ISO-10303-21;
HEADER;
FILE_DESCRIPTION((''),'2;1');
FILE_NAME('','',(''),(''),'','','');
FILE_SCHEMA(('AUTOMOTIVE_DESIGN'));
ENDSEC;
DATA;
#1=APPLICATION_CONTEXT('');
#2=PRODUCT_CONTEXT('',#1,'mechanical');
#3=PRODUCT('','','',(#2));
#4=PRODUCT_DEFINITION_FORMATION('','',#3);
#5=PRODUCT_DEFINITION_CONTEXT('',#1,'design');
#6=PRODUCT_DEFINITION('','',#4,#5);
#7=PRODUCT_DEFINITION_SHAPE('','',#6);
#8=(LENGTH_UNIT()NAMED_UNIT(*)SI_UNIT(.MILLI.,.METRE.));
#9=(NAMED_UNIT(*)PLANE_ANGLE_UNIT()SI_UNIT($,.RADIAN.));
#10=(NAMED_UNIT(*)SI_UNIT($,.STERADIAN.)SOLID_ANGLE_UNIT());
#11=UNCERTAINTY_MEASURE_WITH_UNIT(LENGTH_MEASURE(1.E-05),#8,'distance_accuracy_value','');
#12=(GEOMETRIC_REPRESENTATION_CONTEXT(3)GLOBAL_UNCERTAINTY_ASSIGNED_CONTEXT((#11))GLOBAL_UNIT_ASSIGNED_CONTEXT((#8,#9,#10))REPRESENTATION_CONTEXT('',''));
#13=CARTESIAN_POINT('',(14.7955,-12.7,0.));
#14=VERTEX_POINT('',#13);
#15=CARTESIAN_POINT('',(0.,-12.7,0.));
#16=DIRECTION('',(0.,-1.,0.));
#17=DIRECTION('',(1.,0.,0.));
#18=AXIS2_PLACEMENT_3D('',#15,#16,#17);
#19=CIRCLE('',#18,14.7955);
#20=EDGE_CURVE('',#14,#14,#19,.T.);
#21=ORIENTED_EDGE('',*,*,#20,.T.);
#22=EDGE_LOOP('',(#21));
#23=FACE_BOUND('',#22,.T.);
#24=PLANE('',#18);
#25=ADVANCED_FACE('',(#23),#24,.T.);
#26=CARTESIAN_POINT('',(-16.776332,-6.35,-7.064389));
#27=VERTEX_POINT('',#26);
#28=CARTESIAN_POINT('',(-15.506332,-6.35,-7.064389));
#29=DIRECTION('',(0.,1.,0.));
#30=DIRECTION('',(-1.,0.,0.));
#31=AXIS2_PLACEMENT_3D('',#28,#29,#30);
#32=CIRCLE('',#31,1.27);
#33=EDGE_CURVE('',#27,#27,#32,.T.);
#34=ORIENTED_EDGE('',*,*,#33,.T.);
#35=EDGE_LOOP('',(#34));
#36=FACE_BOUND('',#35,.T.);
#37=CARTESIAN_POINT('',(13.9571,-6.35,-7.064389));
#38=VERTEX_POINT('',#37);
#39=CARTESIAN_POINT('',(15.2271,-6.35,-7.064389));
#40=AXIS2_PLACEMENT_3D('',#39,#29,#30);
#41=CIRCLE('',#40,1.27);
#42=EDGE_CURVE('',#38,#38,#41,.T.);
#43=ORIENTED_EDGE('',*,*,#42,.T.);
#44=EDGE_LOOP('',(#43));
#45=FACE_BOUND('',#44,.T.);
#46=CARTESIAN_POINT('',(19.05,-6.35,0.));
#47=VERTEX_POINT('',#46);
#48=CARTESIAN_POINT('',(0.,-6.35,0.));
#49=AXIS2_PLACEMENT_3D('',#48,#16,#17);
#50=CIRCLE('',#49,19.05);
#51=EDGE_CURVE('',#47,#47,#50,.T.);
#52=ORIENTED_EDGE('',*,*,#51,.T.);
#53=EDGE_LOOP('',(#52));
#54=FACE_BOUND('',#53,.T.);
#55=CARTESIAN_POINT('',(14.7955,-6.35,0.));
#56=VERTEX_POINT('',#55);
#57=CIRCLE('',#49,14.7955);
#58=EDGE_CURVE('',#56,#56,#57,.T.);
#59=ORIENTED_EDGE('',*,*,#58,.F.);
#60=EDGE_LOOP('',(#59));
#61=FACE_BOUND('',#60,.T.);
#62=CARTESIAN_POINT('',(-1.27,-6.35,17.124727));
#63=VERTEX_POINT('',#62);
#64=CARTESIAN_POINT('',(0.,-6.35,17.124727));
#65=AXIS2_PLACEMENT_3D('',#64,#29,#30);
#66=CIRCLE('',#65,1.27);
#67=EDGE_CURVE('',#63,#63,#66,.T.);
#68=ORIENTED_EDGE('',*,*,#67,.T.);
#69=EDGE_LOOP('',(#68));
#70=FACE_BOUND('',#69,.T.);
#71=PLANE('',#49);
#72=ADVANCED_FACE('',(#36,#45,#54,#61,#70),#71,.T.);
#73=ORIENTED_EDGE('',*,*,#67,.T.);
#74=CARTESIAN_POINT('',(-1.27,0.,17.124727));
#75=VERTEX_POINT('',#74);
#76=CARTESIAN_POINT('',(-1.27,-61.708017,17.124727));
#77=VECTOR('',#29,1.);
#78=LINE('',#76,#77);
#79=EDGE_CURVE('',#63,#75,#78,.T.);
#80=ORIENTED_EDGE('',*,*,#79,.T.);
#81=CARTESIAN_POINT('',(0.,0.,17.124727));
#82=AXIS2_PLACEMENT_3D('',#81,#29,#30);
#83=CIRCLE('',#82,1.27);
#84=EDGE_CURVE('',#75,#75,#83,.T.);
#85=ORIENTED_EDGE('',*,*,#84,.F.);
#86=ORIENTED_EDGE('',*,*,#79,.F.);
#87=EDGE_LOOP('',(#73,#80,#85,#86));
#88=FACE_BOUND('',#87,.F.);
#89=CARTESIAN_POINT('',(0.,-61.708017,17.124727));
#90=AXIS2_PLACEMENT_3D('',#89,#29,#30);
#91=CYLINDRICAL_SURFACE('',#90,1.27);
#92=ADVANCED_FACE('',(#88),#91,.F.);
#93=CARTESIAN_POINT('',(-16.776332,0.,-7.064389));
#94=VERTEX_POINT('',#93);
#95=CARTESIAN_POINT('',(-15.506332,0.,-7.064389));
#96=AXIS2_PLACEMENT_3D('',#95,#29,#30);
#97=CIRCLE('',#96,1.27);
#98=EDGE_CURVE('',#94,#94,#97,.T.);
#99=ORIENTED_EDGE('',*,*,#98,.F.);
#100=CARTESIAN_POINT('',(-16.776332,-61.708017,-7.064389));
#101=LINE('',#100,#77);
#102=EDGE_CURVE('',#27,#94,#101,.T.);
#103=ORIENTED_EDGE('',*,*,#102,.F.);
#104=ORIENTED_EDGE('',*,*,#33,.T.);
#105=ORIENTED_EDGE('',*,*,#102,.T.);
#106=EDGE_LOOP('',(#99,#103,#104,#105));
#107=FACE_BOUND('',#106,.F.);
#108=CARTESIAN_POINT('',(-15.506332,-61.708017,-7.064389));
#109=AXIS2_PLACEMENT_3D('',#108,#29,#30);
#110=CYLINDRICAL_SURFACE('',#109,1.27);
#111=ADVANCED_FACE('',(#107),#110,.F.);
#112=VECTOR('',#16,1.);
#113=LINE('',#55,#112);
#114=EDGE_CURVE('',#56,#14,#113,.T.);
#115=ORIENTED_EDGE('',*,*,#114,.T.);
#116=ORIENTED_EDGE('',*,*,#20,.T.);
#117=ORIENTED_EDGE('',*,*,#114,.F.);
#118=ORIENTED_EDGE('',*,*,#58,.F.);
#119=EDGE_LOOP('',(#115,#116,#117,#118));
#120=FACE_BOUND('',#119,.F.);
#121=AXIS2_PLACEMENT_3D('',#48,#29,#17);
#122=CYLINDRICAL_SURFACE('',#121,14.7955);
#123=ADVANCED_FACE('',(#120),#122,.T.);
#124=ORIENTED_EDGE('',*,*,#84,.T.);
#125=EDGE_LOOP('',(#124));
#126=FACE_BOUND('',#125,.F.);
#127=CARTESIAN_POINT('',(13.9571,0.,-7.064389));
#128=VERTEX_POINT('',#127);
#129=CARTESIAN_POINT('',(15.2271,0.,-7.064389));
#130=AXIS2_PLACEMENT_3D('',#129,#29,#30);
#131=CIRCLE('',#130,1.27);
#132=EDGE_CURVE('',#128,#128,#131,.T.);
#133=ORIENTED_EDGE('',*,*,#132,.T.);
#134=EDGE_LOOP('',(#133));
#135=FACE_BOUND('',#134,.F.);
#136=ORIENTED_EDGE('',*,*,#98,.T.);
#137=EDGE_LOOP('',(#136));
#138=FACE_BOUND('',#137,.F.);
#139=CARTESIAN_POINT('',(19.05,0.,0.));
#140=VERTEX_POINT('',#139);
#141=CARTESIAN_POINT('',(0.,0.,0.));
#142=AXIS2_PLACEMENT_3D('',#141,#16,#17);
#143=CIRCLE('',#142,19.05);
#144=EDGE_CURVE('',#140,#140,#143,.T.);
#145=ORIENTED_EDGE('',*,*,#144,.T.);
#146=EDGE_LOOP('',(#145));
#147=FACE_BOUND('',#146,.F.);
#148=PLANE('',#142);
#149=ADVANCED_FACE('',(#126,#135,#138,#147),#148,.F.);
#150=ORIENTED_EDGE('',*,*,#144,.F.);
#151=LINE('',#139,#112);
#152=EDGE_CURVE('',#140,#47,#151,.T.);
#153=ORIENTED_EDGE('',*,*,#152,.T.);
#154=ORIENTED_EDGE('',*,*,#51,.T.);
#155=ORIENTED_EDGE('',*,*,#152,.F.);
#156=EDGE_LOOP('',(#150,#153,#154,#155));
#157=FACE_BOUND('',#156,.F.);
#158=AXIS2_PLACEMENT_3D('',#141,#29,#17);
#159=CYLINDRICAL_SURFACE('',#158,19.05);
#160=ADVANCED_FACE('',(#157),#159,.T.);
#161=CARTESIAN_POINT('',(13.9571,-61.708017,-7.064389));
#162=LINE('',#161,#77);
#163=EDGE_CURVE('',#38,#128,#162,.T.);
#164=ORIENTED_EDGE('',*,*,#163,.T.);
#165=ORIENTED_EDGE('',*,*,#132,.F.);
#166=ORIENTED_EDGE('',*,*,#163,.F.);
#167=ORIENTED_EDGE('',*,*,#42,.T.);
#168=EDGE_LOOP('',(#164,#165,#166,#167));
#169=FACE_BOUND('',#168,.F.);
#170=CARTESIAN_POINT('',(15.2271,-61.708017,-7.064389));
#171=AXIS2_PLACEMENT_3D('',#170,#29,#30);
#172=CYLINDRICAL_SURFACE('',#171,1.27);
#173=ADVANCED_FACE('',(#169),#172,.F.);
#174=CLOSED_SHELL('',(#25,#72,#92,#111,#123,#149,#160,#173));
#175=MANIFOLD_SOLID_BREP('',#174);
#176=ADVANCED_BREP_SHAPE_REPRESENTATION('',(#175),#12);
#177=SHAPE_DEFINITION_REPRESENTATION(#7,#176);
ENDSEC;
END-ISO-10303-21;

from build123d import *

# Parameters (mm, degrees)
F0_R     = 19.05
F1_DEPTH = 6.35
F3_R     = 14.7955
F4_DEPTH = 6.35
F6_D     = 2.54


with BuildPart() as f1:
    # F0 (on Front) → F1 (new body)
    with BuildSketch(Plane.XZ):
        Circle(F0_R)
    extrude(amount=F1_DEPTH)

    # F3 (on offset) → F4 (join)
    with BuildSketch(Plane.XZ.offset(6.35)):
        Circle(F3_R)
    extrude(amount=F4_DEPTH)

    # F6 (through all)
    with Locations(Plane.XZ.offset(6.35)):
        with Locations((0, 17.124727), (15.2271, -7.064389), (-15.506332, -7.064389)):
            Hole(F6_D / 2)


solid = f1.part
